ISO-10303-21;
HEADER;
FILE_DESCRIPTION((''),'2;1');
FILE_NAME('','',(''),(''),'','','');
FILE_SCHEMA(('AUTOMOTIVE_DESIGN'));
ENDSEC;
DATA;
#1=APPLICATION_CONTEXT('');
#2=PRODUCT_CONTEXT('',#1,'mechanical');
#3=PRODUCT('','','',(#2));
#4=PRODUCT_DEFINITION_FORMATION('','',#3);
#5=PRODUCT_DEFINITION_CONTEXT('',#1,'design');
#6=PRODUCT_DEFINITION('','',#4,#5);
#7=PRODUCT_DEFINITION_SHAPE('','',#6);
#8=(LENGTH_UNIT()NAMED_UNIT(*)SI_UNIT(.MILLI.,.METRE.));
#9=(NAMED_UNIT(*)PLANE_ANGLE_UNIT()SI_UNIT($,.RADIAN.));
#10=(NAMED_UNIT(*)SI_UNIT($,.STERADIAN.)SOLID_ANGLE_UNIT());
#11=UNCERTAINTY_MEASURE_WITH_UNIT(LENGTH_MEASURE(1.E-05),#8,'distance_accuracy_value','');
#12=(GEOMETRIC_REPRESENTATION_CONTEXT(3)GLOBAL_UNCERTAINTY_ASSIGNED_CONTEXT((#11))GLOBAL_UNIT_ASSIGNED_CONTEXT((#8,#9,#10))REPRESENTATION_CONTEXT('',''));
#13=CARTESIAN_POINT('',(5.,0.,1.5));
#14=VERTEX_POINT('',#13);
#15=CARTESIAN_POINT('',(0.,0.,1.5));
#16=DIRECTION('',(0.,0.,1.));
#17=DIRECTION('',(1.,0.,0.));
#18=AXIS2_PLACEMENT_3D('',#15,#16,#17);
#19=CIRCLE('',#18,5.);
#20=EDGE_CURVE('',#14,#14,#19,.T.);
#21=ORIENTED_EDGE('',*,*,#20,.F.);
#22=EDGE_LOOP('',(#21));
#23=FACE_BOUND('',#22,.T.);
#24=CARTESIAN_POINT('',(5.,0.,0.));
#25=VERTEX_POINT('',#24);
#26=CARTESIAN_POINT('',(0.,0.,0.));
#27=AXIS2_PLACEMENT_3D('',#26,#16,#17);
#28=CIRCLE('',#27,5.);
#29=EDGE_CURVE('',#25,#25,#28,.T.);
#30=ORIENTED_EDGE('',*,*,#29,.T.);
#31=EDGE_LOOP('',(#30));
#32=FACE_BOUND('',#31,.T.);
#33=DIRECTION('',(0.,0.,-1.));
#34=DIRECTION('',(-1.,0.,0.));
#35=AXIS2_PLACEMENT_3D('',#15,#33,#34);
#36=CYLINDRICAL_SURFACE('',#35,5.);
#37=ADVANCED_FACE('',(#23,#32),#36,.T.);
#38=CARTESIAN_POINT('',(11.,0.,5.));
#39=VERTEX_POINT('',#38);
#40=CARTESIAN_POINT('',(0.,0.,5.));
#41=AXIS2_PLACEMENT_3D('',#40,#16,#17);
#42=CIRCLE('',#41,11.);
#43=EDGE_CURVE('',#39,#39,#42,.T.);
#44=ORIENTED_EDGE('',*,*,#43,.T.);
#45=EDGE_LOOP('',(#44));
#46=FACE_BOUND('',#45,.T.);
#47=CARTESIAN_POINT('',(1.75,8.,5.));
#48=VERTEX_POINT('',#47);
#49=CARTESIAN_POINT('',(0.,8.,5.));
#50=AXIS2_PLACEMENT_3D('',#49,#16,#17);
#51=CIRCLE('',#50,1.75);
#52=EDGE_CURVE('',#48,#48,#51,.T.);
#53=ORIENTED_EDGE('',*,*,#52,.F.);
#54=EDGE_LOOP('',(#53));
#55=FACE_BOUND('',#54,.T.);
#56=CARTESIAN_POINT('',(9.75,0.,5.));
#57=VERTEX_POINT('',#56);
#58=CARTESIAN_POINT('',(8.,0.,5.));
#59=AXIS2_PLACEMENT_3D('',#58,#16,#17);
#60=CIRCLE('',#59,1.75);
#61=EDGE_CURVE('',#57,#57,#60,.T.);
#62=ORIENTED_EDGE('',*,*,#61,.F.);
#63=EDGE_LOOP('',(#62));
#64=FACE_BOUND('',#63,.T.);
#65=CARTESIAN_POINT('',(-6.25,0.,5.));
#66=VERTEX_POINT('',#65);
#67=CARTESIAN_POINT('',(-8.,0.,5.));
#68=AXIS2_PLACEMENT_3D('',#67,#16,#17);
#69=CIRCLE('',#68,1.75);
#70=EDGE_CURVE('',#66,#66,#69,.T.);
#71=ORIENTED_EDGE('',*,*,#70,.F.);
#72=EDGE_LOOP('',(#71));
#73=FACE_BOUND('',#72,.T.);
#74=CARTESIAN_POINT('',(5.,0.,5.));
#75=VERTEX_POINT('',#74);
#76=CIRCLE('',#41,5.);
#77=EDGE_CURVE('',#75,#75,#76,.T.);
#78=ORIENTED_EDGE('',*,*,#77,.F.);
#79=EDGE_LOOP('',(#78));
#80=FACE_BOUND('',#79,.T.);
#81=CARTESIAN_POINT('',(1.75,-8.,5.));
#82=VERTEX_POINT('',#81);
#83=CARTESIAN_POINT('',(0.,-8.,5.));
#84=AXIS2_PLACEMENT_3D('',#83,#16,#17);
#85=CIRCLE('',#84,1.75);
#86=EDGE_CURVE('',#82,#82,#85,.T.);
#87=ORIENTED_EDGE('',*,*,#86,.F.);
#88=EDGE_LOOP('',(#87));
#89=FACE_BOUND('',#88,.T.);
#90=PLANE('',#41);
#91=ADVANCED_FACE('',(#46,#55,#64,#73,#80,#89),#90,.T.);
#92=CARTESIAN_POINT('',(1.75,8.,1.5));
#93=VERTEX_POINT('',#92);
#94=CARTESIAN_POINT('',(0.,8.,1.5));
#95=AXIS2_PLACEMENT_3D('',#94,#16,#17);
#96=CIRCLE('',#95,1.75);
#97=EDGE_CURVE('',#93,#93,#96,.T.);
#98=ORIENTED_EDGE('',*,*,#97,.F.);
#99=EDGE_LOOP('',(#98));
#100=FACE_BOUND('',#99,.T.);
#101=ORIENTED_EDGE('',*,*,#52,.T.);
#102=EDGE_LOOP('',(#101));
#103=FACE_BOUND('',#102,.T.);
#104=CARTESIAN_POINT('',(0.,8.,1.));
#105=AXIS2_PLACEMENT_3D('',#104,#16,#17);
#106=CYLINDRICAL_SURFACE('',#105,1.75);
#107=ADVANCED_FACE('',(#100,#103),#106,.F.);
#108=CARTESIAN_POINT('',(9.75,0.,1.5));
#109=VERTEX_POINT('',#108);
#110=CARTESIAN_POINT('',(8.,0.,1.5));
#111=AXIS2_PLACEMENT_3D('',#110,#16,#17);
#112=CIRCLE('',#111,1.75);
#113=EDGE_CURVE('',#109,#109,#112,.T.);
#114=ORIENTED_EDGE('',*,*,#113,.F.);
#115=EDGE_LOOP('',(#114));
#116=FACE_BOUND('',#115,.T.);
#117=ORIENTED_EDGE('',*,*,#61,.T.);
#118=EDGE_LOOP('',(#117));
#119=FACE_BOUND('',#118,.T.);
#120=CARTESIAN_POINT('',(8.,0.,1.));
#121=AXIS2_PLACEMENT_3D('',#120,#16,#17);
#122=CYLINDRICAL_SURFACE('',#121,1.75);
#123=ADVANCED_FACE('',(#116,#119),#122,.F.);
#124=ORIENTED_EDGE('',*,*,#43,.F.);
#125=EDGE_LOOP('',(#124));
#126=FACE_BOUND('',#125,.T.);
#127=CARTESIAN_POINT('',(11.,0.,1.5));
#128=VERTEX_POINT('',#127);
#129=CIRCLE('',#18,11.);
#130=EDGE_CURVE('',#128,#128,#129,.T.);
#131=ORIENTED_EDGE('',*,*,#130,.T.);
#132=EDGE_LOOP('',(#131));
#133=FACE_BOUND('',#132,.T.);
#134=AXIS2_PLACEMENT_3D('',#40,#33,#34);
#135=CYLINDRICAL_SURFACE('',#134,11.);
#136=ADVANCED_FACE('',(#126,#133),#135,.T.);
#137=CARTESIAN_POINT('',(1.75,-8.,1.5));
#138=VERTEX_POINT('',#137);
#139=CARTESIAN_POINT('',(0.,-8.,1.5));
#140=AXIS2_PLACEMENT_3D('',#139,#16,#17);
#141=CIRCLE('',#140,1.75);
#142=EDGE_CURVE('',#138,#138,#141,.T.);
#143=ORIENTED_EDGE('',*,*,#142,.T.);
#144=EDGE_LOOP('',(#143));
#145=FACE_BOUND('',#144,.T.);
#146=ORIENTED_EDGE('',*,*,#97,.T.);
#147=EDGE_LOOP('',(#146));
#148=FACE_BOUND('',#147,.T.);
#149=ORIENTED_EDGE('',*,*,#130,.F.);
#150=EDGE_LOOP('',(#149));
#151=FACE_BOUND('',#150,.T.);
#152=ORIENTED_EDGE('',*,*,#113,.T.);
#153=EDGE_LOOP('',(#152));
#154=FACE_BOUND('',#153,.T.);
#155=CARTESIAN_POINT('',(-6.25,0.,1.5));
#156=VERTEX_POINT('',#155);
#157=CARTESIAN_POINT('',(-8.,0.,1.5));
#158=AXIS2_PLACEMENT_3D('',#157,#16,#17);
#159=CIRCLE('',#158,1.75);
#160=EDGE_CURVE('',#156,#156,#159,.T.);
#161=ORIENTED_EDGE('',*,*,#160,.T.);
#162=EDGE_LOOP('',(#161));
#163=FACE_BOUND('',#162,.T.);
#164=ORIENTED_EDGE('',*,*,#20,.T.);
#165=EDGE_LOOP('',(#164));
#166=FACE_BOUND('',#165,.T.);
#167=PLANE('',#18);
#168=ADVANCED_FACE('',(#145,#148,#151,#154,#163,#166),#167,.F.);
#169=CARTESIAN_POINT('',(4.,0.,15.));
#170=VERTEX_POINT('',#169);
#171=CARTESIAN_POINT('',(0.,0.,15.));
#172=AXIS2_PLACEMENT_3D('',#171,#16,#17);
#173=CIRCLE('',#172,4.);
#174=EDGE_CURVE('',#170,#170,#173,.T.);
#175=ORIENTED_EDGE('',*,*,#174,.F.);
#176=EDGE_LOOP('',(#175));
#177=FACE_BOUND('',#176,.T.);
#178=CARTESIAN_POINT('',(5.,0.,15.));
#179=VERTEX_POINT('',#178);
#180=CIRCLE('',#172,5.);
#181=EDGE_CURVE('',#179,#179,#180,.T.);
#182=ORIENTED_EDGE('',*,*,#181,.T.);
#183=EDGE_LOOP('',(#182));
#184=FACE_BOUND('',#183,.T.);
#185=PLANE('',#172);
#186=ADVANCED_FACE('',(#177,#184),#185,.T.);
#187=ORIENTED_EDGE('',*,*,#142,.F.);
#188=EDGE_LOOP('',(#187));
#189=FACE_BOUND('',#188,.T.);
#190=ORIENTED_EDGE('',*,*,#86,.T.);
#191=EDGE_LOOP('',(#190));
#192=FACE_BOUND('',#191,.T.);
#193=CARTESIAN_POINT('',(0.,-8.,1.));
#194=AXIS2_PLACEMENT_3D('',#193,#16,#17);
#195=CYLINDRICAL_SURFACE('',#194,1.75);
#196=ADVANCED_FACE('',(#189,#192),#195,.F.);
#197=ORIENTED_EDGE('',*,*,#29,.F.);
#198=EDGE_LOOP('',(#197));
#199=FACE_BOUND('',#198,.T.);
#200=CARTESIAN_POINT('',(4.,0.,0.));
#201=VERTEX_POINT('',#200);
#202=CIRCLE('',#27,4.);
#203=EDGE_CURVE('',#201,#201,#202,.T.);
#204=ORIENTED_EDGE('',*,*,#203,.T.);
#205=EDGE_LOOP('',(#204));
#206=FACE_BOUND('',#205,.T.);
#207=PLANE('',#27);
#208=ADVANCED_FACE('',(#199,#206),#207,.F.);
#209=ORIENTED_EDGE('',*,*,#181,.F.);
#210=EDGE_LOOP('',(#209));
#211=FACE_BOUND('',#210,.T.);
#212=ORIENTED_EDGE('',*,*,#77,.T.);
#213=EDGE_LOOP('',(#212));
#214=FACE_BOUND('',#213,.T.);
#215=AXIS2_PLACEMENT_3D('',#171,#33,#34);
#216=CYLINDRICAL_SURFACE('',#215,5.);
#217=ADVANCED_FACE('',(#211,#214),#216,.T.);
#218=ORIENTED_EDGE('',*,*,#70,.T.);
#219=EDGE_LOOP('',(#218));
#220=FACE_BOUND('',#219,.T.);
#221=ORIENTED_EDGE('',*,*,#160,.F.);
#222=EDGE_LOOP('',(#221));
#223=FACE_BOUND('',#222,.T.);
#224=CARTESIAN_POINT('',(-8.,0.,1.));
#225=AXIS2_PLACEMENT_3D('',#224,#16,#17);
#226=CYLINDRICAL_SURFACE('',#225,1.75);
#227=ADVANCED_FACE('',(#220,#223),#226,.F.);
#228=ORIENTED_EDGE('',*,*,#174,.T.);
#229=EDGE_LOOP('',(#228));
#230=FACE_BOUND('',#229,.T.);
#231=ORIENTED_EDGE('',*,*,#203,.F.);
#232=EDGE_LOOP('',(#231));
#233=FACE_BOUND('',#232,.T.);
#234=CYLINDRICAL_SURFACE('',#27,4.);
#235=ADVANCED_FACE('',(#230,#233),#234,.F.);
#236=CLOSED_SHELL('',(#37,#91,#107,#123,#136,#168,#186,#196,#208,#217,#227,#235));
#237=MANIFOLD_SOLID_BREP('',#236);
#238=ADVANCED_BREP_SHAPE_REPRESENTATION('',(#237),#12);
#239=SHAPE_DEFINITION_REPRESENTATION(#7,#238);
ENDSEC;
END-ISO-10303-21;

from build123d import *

# Parameters (mm, degrees)
SKETCH1_R           = 5
BOSS_EXTRUDE1_DEPTH = 1.5
SKETCH2_R           = 11
BOSS_EXTRUDE2_DEPTH = 3.5
SKETCH3_R           = 5
BOSS_EXTRUDE3_DEPTH = 10
SKETCH4_R           = 1.75
CUT_EXTRUDE1_DEPTH  = 4
SKETCH5_R           = 4
CUT_EXTRUDE2_DEPTH  = 15


with BuildPart() as part:
    # Sketch1 → Boss-Extrude1 (new body)
    with BuildSketch(Plane.XY):
        Circle(SKETCH1_R)
    extrude(amount=BOSS_EXTRUDE1_DEPTH)

    # Sketch2 → Boss-Extrude2 (add)
    with BuildSketch(Plane.XY.offset(1.5)):
        Circle(SKETCH2_R)
    extrude(amount=BOSS_EXTRUDE2_DEPTH)

    # Sketch3 → Boss-Extrude3 (add)
    with BuildSketch(Plane.XY.offset(5)):
        Circle(SKETCH3_R)
    extrude(amount=BOSS_EXTRUDE3_DEPTH)

    # Sketch4 → Cut-Extrude1 (cut)
    with BuildSketch(Plane.XY.offset(5)):
        with Locations((0, 8)):
            Circle(SKETCH4_R)
        with Locations((0, -8)):
            Circle(SKETCH4_R)
        with Locations((8, 0)):
            Circle(SKETCH4_R)
        with Locations((-8, 0)):
            Circle(SKETCH4_R)
    extrude(amount=-CUT_EXTRUDE1_DEPTH, mode=Mode.SUBTRACT)

    # Sketch5 → Cut-Extrude2 (cut)
    with BuildSketch(Plane.XY.offset(15)):
        Circle(SKETCH5_R)
    extrude(amount=-CUT_EXTRUDE2_DEPTH, mode=Mode.SUBTRACT)


solid = part.part
